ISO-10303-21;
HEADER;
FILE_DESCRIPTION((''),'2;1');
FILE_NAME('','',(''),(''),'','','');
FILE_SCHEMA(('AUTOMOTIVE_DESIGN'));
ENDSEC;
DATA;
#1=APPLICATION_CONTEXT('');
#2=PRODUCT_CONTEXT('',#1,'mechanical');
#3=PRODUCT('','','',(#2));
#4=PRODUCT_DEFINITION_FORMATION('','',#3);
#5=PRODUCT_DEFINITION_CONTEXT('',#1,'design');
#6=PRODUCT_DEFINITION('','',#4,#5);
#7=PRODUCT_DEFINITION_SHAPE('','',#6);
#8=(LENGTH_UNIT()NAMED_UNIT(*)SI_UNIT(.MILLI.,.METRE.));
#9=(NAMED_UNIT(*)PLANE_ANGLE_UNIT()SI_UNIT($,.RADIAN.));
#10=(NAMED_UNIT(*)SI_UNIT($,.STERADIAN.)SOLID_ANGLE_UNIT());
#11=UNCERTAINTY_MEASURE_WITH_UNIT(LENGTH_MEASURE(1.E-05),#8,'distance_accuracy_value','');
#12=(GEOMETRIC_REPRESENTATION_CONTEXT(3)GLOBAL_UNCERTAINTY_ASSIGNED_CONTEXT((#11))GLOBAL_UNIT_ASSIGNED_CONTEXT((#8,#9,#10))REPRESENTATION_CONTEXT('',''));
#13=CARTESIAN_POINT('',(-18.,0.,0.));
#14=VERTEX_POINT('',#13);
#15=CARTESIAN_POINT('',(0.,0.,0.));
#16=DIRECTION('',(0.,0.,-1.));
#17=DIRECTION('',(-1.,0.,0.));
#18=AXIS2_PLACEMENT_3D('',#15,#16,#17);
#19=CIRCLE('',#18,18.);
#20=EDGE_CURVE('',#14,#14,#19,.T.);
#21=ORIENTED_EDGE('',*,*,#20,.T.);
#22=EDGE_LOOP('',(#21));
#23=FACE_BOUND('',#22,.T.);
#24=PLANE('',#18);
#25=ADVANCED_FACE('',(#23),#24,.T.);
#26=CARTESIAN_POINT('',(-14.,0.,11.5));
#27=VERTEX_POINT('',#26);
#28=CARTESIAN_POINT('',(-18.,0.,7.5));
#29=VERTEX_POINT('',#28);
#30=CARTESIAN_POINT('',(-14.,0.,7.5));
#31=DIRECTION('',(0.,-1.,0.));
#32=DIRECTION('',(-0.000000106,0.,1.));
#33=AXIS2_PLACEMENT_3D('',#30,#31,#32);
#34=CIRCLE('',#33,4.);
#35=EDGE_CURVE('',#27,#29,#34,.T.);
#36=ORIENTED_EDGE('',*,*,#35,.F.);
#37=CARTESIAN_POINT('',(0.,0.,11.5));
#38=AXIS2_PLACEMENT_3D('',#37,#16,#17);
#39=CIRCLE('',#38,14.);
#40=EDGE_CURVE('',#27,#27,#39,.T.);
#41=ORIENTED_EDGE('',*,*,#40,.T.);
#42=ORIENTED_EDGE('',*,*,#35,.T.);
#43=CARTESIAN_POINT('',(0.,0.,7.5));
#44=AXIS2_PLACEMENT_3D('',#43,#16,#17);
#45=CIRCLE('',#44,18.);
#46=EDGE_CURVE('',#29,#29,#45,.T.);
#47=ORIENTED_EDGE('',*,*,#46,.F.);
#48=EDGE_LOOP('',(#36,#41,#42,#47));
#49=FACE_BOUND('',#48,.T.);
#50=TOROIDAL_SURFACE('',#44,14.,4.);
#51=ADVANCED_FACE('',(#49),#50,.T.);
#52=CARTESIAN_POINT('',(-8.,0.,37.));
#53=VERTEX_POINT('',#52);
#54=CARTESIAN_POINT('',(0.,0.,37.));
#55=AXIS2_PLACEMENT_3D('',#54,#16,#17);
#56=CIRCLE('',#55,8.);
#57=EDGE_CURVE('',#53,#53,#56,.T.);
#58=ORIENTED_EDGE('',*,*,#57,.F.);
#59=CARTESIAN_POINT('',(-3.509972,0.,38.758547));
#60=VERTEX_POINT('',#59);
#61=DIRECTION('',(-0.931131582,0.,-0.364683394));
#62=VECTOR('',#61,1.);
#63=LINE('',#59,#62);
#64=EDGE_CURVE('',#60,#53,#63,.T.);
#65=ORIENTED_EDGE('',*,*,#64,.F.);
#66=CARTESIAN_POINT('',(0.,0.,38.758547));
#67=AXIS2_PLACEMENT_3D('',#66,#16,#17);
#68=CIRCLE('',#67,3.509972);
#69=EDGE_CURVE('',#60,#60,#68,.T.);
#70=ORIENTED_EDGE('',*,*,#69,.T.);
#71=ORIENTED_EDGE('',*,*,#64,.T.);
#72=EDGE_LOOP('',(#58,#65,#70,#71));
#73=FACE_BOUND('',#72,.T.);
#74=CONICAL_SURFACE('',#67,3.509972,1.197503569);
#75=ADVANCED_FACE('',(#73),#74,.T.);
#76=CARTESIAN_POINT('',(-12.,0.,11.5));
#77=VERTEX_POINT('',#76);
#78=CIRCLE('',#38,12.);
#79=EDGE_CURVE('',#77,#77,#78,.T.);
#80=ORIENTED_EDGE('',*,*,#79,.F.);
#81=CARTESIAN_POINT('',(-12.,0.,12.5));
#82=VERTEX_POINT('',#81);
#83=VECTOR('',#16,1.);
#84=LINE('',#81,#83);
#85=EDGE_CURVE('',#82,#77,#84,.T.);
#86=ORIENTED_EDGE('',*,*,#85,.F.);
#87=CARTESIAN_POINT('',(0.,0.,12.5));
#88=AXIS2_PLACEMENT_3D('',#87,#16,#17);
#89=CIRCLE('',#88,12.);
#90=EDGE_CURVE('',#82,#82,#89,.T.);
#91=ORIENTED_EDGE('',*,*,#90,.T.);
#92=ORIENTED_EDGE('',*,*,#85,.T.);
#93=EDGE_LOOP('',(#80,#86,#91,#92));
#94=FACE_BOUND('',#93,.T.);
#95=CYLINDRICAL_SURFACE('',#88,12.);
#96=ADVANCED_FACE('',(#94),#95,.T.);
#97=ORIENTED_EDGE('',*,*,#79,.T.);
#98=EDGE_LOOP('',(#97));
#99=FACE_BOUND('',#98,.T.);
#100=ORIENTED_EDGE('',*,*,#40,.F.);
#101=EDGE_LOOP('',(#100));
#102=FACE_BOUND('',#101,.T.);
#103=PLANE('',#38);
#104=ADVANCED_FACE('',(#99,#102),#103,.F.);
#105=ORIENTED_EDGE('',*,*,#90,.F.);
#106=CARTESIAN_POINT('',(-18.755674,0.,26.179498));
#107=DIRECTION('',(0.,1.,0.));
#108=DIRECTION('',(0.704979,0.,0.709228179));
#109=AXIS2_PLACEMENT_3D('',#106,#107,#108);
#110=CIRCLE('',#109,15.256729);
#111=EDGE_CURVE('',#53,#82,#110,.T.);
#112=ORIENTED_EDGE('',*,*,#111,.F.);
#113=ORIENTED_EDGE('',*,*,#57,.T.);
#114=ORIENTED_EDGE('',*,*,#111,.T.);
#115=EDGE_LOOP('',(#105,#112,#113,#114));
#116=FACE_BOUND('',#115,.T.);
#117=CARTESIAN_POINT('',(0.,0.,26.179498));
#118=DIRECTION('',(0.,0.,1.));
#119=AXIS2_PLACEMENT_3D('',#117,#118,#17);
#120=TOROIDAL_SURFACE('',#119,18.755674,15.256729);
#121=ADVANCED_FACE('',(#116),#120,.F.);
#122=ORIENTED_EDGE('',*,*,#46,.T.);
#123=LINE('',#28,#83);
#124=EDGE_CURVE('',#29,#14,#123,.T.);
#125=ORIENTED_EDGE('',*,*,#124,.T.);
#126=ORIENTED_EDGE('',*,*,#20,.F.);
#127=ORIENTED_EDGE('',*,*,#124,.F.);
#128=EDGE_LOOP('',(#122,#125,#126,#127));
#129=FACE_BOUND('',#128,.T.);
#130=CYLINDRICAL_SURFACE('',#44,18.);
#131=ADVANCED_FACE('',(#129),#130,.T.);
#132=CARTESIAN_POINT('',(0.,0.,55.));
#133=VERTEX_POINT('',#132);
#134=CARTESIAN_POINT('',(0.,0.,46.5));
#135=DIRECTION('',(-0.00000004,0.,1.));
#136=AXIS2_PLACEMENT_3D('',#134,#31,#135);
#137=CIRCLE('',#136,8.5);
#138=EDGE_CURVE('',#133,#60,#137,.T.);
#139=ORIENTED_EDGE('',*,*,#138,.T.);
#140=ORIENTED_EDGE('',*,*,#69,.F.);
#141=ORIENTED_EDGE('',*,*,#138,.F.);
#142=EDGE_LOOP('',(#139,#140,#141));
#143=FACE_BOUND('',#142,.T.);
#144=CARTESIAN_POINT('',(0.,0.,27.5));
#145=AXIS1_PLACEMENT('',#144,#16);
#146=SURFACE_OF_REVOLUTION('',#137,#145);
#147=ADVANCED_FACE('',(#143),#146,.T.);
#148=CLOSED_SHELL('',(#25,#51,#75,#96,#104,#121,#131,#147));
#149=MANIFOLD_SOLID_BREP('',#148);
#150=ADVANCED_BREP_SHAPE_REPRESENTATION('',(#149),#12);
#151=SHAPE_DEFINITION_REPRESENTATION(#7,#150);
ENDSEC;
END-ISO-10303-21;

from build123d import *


with BuildPart() as f1:
    # F0 (on Front) → F1 (revolve)
    with BuildSketch(Plane.XZ):
        with BuildLine():
            Line((-18, 0), (0, 0))
            Line((0, 0), (0, 55))
            ThreePointArc((0, 55), (-8.308199, 48.295501), (-3.509972, 38.758547))
            Line((-3.509972, 38.758547), (-8, 37))
            ThreePointArc((-8, 37), (-3.698306, 23.721152), (-12, 12.5))
            Line((-12, 12.5), (-12, 11.5))
            Line((-12, 11.5), (-14, 11.5))
            ThreePointArc((-14, 11.5), (-16.828427, 10.328427), (-18, 7.5))
            Line((-18, 7.5), (-18, 0))
        make_face()
    revolve(axis=Axis((0, 0, 27.5), (0, 0, -1)))


solid = f1.part
